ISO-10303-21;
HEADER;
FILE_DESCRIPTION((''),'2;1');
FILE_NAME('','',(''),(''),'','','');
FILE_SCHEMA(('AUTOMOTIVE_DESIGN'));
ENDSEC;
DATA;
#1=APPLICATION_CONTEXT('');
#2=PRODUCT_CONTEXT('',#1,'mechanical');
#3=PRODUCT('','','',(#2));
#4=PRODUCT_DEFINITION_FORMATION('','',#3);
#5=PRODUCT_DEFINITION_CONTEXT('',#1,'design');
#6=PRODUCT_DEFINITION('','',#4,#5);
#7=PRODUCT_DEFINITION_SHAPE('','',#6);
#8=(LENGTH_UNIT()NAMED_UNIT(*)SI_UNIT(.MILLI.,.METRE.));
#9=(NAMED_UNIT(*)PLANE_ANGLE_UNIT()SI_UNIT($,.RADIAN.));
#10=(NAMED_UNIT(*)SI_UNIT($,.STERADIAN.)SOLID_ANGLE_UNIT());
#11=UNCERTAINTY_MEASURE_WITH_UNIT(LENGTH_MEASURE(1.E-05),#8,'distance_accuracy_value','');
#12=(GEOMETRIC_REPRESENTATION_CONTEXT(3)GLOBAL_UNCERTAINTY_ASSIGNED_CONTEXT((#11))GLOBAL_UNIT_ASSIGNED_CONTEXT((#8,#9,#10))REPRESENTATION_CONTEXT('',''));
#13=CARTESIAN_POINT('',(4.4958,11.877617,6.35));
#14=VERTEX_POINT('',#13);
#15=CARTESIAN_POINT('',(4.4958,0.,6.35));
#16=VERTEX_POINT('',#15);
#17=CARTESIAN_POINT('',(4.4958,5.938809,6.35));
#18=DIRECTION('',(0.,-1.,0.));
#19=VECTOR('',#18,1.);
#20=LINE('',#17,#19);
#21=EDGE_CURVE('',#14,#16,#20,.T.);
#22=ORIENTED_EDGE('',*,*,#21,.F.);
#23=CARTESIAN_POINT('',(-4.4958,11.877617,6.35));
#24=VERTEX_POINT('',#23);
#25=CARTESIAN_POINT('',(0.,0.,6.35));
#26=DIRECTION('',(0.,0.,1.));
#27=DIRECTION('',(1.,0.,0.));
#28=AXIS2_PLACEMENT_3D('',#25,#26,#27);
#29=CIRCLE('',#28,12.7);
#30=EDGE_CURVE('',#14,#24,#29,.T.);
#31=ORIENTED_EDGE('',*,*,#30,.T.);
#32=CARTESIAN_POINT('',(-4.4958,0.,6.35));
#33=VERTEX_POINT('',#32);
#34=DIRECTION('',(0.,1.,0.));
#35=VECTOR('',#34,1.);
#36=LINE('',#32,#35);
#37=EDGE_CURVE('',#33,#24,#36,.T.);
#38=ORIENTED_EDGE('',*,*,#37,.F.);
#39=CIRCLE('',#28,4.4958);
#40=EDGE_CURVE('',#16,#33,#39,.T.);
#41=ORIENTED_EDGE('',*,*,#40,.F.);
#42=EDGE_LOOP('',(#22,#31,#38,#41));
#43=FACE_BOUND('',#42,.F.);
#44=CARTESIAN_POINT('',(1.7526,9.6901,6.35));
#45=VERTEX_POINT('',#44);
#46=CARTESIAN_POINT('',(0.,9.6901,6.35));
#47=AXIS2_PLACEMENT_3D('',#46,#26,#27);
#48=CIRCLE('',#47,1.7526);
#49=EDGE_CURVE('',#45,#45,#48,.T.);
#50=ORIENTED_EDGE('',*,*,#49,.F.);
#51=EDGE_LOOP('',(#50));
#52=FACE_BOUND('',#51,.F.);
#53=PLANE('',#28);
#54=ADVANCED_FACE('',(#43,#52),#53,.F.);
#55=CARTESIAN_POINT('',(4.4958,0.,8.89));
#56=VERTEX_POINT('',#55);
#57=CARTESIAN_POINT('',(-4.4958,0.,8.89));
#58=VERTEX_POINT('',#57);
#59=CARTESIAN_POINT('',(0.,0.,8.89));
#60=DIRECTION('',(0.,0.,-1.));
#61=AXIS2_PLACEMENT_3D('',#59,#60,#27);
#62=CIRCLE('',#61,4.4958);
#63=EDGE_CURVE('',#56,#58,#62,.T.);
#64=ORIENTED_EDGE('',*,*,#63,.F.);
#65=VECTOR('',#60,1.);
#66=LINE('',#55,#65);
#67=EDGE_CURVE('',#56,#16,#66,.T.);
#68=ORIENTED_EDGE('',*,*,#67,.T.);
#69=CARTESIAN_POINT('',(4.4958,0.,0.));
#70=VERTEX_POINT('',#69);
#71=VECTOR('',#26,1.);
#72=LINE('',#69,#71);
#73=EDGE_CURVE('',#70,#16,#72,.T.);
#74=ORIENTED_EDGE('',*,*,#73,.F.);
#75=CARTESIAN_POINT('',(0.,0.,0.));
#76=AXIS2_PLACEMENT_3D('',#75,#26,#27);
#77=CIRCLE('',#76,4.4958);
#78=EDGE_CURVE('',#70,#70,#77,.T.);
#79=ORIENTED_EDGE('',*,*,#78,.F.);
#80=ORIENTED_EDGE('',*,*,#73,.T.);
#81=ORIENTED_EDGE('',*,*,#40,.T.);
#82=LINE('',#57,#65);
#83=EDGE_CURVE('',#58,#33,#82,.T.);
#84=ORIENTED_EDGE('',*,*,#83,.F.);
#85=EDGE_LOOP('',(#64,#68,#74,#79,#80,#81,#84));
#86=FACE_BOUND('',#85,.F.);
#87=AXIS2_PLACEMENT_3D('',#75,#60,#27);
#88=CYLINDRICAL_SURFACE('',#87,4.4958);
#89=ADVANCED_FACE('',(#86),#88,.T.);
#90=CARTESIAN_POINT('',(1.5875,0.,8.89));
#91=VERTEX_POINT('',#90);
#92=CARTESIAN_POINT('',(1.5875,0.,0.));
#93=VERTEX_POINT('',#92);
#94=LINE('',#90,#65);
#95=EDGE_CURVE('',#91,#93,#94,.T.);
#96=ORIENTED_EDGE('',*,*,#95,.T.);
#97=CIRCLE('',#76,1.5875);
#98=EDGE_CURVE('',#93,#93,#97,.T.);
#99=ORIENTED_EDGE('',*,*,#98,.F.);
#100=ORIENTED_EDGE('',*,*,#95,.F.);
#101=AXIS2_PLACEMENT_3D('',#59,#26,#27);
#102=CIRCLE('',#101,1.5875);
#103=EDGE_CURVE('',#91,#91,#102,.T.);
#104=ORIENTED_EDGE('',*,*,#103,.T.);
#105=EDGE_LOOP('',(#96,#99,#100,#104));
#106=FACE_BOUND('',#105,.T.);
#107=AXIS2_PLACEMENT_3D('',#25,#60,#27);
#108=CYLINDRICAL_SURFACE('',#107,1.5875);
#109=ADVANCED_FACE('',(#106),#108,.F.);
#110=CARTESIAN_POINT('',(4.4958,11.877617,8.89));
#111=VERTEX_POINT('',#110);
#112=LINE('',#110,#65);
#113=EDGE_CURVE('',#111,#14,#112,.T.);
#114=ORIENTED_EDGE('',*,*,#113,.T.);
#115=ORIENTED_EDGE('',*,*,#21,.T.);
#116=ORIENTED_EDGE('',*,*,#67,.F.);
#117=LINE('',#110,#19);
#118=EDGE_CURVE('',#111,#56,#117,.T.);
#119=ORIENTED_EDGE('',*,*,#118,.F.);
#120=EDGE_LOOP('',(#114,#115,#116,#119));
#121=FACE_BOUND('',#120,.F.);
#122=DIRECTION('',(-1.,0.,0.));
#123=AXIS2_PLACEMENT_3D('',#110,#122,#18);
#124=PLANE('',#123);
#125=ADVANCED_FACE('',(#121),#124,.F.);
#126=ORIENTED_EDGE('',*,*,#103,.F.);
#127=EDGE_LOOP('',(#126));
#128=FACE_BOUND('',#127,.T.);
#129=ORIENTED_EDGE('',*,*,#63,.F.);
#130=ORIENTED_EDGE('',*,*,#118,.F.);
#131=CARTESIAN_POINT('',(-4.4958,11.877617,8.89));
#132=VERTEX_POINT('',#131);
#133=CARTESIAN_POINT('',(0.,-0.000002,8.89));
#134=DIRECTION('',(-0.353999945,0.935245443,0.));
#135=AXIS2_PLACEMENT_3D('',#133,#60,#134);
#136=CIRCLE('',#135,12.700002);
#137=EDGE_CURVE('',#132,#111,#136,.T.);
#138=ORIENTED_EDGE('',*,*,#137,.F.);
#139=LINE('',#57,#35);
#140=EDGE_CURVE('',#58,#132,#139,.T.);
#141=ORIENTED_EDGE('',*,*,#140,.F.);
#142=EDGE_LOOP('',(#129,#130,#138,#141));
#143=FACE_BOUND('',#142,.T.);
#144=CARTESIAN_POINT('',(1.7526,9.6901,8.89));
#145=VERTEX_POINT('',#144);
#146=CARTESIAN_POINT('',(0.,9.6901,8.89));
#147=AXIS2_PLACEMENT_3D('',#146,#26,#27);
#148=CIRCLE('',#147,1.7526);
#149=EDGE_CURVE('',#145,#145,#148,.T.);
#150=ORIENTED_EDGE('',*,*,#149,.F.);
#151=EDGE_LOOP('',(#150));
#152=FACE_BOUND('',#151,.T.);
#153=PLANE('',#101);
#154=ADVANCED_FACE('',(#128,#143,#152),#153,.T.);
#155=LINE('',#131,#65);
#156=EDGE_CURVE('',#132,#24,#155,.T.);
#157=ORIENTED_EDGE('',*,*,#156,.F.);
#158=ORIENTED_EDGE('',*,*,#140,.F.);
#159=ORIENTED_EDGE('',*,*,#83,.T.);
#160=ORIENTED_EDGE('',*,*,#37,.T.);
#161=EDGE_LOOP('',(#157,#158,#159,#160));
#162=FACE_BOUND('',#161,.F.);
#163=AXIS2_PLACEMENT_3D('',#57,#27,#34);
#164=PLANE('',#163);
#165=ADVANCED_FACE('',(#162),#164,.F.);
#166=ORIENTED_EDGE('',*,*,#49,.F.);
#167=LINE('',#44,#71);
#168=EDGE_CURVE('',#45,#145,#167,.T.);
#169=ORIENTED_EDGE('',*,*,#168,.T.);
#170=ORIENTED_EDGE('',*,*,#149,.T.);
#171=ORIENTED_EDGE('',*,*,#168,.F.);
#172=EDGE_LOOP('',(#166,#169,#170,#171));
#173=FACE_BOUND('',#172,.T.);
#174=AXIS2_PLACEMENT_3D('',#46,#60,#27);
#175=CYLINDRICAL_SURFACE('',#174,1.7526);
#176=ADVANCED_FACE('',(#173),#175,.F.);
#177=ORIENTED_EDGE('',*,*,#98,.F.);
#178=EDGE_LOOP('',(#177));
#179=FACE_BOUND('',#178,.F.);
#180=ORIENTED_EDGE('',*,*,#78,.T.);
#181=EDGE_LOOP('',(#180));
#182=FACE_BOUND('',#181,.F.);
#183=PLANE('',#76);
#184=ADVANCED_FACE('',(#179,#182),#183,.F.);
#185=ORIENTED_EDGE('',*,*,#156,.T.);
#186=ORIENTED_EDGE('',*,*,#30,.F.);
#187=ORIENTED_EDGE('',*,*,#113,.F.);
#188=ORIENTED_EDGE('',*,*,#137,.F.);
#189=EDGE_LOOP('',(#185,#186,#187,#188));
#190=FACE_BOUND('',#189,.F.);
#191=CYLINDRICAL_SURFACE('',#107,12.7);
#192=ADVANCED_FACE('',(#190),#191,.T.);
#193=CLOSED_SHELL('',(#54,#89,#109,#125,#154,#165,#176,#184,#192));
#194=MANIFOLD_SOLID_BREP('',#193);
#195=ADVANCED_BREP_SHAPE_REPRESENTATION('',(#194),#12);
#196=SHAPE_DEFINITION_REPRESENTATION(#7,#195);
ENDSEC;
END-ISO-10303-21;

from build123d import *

# Parameters (mm, degrees)
F0_R     = 4.4958
F0_R_2   = 1.5875
F1_DEPTH = 6.35
F2_R     = 12.7
F2_R_2   = 1.7526
F2_R_3   = 1.5875
F3_DEPTH = 2.54
F4_W     = 58.600948
F4_H     = 48.189808
F5_DEPTH = 25.4


with BuildPart() as f1:
    # F0 (on Top) → F1 (new body)
    with BuildSketch(Plane.XY):
        Circle(F0_R)
        Circle(F0_R_2, mode=Mode.SUBTRACT)
    extrude(amount=F1_DEPTH)

    # F2 (on face) → F3 (join)
    with BuildSketch(Plane.XY.offset(6.35)):
        Circle(F2_R)
        with Locations((0, -9.6901)):
            Circle(F2_R_2, mode=Mode.SUBTRACT)
        with Locations((-8.391873, -4.84505)):
            Circle(F2_R_2, mode=Mode.SUBTRACT)
        Circle(F2_R_3, mode=Mode.SUBTRACT)
        with Locations((8.391873, -4.84505)):
            Circle(F2_R_2, mode=Mode.SUBTRACT)
        with Locations((-8.391873, 4.84505)):
            Circle(F2_R_2, mode=Mode.SUBTRACT)
        with Locations((0, 9.6901)):
            Circle(F2_R_2, mode=Mode.SUBTRACT)
        with Locations((8.391873, 4.84505)):
            Circle(F2_R_2, mode=Mode.SUBTRACT)
    extrude(amount=F3_DEPTH)

    # F4 (on face) → F5 (cut)
    with BuildSketch(Plane.XY.offset(8.89)):
        Rectangle(F4_W, F4_H)
        with BuildLine():
            ThreePointArc((4.4958, 0), (0, -4.4958), (-4.4958, 0))
            Line((-4.4958, 0), (-4.4958, 11.877617))
            ThreePointArc((-4.4958, 11.877617), (0, 12.7), (4.4958, 11.877617))
            Line((4.4958, 11.877617), (4.4958, 0))
        make_face(mode=Mode.SUBTRACT)
    extrude(amount=-F5_DEPTH, mode=Mode.SUBTRACT)


solid = f1.part
